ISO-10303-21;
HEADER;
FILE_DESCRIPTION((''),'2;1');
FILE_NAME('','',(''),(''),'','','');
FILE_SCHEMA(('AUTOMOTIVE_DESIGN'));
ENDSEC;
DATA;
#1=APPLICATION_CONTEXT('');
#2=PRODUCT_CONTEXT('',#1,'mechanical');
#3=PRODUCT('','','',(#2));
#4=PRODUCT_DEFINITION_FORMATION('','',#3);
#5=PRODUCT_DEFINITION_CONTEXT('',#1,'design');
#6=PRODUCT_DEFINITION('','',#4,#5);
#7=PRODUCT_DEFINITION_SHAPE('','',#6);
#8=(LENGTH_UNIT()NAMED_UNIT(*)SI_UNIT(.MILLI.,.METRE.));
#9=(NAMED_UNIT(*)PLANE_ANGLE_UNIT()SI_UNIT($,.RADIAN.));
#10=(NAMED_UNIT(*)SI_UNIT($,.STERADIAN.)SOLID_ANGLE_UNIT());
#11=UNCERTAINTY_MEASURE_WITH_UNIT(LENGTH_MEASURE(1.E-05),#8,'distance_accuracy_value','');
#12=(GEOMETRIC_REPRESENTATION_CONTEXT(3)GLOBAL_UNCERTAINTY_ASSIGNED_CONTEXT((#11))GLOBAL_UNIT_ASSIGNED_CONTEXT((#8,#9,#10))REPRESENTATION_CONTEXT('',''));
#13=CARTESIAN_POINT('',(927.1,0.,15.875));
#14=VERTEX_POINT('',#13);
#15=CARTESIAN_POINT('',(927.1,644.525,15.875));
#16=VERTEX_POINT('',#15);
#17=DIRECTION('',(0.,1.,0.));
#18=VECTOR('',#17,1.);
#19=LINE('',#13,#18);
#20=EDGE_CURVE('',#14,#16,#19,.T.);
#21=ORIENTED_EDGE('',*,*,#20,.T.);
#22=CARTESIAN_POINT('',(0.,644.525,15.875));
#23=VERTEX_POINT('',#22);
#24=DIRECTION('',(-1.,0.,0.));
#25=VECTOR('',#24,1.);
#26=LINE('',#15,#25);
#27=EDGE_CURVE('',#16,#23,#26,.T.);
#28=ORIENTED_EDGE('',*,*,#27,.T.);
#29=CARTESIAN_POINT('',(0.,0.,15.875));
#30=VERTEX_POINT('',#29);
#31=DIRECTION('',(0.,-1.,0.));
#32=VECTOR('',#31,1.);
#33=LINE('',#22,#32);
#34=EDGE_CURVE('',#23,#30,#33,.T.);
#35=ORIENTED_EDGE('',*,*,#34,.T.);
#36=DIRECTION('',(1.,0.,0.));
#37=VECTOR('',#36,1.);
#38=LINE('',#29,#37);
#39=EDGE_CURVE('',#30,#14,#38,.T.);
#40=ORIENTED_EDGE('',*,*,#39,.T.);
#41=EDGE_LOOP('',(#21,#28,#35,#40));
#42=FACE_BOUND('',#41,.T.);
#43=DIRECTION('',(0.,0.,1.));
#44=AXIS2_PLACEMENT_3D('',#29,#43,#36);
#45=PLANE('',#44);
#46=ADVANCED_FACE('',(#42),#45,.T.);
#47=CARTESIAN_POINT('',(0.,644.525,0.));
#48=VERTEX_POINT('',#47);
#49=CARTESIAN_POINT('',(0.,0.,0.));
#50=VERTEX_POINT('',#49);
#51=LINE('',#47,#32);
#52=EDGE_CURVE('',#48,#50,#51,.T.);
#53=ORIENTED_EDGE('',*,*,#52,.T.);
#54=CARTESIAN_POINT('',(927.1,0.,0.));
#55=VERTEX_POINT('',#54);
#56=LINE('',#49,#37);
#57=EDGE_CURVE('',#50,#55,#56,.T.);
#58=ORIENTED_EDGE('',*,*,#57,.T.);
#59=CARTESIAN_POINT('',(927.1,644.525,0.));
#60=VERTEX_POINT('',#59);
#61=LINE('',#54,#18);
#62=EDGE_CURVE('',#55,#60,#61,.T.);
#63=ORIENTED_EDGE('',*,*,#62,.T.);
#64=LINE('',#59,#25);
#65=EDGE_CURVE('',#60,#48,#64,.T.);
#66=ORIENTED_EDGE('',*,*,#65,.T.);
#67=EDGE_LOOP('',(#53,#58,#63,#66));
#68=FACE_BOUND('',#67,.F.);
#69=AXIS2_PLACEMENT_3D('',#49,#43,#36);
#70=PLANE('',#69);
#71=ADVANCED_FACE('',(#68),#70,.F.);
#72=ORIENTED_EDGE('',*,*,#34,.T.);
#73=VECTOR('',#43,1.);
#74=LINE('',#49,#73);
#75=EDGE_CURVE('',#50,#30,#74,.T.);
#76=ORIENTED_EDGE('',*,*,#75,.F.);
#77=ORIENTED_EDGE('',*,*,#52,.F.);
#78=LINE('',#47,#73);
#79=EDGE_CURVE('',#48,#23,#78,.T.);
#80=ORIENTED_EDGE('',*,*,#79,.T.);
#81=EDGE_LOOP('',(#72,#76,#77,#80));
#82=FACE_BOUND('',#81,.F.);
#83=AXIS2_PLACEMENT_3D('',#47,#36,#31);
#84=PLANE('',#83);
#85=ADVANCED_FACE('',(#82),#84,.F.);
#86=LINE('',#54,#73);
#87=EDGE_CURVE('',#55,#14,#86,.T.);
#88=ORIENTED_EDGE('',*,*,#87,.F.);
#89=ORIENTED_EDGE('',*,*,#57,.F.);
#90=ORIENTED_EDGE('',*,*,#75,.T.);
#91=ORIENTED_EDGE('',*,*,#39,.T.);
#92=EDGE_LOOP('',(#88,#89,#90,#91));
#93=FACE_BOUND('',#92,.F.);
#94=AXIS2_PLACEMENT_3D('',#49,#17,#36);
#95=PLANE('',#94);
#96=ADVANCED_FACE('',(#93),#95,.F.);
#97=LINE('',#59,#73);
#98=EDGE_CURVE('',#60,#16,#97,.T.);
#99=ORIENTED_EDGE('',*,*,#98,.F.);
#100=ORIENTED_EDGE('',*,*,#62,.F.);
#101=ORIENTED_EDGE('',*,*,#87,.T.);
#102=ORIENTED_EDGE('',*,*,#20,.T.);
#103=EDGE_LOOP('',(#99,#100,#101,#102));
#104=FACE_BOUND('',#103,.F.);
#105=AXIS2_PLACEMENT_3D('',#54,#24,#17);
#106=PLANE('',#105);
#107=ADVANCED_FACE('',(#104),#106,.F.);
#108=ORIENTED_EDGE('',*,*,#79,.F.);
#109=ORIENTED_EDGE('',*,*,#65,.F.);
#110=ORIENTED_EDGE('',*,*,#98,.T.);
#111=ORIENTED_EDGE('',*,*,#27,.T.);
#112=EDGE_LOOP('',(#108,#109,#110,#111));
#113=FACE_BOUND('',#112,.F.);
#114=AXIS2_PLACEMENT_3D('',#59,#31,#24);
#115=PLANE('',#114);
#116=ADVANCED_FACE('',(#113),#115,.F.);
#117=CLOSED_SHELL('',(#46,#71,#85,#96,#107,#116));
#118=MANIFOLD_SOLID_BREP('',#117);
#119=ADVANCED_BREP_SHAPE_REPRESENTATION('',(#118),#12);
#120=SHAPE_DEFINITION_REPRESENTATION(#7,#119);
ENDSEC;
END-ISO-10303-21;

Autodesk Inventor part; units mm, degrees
ref_plane "YZ Plane" through (0, 0, 0) normal (1, 0, 0) x (0, 1, 0)
ref_plane "XZ Plane" through (0, 0, 0) normal (0, 1, 0) x (-1, 0, 0)
ref_plane "XY Plane" through (0, 0, 0) normal (0, 0, 1) x (1, 0, 0)
sketch "Sketch1" plane through (0, 0, 0) normal (0, 0, 1) x (1, 0, 0)
  line L0 (0, 0) -> (927.1, 0)
  line L1 (927.1, 0) -> (927.1, 644.525)
  line L2 (927.1, 644.525) -> (0, 644.525)
  line L3 (0, 644.525) -> (0, 0)
  dimension "d2" = 644.525
  dimension "d3" = 927.1
extrude "Extrusion1" add sketch "Sketch1" along normal blind 15.875
properties part number "DensGlass_With_Dimensions_36.5_x_25.5_Inches" material "Wood (Birch)"
